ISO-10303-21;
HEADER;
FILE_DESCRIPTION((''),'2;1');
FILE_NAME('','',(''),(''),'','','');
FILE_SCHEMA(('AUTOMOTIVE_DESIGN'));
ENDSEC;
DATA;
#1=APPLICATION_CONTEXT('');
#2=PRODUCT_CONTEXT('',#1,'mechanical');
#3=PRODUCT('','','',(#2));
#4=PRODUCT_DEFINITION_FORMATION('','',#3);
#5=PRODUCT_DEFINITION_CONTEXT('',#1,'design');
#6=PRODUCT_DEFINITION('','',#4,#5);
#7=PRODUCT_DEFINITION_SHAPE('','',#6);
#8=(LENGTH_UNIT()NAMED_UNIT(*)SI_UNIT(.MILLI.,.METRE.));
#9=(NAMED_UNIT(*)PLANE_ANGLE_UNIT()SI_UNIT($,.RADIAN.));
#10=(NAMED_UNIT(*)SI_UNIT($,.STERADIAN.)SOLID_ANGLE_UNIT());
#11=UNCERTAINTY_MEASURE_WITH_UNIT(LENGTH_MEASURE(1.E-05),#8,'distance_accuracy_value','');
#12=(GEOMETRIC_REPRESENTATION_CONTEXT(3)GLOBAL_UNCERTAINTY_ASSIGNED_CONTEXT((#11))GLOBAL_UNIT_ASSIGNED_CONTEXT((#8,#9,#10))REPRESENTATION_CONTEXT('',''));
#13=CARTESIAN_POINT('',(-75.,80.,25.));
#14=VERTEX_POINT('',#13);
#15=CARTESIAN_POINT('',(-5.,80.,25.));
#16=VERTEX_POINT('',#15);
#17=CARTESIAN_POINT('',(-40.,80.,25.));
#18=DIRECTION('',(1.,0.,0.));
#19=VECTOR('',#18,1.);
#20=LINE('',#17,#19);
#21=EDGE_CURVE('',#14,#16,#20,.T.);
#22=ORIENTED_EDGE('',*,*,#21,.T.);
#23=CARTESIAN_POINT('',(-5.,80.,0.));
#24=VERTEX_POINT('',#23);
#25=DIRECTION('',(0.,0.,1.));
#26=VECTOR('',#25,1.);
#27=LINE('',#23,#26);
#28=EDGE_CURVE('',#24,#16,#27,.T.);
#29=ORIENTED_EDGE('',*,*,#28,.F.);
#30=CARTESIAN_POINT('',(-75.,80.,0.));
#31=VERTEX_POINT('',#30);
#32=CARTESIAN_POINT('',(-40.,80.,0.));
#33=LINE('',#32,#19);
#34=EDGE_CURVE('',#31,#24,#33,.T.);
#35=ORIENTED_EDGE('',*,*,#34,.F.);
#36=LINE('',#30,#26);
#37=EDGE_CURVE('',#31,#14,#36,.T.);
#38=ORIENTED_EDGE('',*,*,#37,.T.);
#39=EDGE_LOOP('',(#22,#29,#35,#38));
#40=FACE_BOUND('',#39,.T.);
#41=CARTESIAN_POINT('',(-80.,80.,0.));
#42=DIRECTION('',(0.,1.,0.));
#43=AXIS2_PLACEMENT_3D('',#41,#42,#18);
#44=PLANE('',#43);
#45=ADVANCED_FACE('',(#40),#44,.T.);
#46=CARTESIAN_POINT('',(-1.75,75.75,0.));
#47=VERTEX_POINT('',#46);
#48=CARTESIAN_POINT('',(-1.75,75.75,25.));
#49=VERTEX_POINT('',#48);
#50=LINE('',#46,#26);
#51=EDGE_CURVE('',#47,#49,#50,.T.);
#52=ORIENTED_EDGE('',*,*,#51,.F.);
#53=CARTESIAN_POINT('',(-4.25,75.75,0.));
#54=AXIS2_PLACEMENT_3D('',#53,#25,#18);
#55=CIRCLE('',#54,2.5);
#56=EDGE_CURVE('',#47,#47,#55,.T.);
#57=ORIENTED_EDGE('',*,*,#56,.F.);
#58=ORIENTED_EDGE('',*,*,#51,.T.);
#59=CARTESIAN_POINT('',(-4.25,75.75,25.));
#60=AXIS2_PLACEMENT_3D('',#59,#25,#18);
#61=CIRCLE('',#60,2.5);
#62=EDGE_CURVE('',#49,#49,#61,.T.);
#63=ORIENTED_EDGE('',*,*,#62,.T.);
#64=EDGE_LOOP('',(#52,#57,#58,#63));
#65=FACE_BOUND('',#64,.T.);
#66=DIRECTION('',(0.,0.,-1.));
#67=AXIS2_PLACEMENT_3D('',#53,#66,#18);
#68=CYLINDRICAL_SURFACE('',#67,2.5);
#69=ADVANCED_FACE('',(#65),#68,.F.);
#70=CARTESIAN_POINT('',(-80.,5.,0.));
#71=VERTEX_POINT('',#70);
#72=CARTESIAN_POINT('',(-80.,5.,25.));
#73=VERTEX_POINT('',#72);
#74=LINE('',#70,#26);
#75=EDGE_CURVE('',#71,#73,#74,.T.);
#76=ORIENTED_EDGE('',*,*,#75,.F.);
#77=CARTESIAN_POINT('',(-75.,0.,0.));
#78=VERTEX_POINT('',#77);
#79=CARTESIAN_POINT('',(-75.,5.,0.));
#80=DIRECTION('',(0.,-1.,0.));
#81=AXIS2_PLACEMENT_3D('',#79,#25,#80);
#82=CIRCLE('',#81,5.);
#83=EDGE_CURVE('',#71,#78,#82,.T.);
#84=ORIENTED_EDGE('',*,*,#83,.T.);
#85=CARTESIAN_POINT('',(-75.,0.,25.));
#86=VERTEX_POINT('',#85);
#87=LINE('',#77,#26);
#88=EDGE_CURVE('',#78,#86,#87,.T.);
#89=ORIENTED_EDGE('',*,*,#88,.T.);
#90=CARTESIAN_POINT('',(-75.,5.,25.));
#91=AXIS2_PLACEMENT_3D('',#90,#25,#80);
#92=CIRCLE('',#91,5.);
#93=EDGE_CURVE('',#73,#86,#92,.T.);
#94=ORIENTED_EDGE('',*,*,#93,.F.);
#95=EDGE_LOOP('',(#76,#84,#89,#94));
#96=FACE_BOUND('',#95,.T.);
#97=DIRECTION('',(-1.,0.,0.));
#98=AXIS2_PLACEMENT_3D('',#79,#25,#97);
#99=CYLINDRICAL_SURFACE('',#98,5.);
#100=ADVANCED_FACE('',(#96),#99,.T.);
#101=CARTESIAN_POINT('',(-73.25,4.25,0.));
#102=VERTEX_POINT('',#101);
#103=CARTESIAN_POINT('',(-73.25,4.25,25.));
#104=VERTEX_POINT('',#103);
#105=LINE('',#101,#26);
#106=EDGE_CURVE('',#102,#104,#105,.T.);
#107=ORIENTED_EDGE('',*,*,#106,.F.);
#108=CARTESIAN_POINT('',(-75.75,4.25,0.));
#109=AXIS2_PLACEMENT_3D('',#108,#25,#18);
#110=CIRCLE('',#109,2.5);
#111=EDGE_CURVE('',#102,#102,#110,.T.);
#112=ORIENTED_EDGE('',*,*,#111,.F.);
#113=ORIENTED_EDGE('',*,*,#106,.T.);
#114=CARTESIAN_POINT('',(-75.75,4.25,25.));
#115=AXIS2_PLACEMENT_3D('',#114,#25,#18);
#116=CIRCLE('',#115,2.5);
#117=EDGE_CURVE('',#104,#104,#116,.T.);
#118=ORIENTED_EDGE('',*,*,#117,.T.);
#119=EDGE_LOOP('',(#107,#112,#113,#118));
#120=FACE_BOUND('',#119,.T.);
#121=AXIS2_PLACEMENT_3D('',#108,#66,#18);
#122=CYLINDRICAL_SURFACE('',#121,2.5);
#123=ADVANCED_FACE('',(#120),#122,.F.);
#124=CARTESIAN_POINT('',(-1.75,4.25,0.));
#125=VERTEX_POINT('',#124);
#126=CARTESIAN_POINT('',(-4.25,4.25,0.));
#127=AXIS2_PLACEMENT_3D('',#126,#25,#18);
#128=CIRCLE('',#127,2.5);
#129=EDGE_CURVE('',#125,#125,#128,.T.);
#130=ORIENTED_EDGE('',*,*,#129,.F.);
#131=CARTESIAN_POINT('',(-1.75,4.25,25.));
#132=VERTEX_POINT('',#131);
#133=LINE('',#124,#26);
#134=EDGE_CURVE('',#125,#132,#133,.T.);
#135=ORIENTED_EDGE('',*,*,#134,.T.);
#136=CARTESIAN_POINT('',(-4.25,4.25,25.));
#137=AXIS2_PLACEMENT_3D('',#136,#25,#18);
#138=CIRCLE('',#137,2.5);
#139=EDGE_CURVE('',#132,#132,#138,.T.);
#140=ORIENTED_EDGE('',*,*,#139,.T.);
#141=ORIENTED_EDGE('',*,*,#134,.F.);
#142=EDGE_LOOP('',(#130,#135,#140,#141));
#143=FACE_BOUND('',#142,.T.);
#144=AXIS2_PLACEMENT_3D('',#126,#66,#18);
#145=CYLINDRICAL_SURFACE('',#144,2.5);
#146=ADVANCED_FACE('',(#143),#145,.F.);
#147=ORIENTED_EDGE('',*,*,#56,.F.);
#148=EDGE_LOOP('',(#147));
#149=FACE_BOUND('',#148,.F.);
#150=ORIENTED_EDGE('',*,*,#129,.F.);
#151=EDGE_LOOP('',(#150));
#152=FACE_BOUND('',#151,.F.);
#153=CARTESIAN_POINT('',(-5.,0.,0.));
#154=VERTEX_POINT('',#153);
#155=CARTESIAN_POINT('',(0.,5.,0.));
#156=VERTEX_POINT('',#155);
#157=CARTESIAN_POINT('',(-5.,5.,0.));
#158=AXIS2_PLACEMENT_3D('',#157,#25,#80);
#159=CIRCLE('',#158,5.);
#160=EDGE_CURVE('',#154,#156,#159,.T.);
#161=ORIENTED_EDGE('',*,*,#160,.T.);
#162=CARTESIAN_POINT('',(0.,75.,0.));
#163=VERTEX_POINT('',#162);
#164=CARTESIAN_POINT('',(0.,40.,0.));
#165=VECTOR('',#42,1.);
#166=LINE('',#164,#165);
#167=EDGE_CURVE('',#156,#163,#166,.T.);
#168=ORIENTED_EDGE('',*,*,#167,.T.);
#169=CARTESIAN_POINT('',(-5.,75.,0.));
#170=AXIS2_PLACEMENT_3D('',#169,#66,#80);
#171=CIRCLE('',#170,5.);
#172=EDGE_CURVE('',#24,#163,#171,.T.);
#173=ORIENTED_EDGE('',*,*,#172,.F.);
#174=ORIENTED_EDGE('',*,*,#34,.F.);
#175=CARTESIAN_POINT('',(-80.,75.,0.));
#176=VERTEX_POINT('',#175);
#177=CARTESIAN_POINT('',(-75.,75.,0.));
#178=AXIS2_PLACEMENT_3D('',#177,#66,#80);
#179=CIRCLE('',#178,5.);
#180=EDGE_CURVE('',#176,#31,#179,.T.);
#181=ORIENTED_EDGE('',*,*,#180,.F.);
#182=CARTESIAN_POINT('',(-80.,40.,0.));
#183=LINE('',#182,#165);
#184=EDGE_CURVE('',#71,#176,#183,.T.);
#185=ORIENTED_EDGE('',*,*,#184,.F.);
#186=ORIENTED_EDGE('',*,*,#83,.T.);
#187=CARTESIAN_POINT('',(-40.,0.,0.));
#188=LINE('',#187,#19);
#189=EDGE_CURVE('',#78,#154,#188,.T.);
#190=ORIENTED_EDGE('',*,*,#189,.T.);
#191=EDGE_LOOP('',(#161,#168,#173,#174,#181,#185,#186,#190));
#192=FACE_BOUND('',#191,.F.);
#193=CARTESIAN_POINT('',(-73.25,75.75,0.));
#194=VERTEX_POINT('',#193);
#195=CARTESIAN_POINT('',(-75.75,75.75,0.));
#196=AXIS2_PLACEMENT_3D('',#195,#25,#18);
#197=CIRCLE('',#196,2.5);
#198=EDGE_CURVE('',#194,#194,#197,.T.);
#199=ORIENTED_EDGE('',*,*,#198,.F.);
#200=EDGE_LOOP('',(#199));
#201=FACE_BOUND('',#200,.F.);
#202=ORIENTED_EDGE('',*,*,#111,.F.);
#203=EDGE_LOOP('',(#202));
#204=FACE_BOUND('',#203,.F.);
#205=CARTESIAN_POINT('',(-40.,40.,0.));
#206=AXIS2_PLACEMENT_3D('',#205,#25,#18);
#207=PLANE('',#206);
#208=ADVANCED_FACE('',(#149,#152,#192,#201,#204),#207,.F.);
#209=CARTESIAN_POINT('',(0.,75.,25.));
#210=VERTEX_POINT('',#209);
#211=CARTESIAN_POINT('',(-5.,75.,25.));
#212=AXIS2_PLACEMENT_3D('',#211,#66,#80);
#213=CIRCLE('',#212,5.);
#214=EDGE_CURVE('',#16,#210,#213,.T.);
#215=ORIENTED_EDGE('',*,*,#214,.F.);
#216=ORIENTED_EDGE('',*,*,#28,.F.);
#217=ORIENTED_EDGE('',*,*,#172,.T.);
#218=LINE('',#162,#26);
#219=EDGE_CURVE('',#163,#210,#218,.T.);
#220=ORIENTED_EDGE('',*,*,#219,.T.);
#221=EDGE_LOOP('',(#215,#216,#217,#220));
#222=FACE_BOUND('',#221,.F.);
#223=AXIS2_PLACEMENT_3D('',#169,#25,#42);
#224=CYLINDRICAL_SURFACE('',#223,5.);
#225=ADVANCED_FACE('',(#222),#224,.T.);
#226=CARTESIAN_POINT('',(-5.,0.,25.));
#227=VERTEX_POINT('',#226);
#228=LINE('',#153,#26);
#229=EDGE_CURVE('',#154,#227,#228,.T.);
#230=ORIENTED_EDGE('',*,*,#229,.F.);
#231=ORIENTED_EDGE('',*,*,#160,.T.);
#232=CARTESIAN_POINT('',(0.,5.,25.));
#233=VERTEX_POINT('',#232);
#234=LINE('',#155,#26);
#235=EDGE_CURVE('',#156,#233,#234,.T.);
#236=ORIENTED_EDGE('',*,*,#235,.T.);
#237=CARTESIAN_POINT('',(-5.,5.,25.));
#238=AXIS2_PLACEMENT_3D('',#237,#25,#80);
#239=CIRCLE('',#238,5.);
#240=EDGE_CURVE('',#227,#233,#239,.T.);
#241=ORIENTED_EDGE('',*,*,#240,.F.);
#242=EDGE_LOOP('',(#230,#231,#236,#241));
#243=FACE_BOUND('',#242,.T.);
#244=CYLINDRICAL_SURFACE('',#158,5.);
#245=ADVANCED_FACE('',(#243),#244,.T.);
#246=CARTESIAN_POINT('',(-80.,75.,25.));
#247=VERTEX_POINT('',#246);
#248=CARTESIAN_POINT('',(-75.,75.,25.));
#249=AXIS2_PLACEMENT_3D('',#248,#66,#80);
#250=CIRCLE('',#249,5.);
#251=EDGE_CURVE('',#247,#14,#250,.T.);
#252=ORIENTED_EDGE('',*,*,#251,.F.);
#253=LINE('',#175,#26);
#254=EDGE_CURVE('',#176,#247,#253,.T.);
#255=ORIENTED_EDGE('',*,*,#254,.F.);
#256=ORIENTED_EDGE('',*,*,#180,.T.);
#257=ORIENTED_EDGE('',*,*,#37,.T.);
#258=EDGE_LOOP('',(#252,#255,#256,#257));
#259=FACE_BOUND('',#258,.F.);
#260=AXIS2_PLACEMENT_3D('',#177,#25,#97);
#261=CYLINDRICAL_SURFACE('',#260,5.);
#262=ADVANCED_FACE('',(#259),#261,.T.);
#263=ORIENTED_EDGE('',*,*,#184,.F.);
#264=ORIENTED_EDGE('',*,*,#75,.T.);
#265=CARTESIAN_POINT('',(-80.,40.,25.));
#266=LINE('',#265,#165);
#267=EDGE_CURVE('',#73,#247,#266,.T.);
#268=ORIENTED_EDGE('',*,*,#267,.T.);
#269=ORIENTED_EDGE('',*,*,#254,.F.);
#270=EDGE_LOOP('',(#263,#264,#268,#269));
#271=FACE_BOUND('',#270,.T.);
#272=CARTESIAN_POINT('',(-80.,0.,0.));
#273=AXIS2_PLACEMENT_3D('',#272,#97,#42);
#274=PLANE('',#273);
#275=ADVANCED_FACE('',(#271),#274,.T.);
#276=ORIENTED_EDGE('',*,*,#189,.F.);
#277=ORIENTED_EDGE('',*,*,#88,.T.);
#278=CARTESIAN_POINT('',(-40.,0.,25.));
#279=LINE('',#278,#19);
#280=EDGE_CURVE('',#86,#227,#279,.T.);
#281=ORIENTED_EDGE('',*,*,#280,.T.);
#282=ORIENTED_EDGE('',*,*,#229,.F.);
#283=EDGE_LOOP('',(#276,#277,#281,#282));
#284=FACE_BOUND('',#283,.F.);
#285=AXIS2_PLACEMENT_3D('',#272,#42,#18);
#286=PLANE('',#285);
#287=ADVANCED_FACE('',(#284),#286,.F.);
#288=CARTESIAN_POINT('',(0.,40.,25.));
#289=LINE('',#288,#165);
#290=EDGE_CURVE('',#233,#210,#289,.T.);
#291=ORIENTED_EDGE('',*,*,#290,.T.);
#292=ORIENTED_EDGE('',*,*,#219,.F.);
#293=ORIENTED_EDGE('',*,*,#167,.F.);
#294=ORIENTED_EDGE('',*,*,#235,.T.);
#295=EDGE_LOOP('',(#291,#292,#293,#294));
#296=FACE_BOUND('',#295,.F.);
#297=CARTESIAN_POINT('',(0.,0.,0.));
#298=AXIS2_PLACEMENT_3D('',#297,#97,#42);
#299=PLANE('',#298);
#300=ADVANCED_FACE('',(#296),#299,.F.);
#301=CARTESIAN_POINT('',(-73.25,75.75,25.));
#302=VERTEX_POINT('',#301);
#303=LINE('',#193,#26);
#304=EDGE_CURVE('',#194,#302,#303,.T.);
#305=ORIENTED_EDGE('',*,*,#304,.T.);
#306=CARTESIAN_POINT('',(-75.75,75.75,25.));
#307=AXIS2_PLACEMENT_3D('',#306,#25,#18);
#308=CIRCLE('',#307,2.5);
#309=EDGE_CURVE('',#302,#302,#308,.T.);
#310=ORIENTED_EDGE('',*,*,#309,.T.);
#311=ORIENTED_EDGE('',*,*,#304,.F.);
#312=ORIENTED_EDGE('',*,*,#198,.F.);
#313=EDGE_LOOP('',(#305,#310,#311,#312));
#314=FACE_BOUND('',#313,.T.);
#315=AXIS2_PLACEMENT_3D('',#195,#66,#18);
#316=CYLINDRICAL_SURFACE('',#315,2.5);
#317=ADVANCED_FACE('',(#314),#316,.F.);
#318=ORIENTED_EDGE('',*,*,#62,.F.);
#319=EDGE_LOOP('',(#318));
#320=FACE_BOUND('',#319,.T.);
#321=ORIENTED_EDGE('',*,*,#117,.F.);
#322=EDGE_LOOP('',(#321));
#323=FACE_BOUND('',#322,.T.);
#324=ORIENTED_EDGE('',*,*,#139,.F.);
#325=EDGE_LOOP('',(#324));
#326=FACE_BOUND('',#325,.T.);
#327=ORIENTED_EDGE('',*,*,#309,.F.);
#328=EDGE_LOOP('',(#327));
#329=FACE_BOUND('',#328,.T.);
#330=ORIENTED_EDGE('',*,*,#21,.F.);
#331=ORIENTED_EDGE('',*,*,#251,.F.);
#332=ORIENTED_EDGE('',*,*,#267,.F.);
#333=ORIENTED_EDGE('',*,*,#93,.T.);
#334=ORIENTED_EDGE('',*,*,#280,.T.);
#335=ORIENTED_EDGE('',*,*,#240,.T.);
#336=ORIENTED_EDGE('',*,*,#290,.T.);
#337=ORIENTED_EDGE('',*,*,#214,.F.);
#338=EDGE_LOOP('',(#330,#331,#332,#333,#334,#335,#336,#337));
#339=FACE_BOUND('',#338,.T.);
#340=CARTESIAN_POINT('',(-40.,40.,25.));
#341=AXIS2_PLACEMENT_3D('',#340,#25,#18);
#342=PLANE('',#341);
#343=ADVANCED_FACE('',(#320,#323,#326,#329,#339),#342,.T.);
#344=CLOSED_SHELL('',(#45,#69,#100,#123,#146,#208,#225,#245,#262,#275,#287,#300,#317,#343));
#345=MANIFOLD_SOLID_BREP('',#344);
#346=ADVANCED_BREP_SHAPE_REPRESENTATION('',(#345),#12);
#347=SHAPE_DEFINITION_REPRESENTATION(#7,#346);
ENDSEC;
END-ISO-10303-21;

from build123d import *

# Parameters (mm, degrees)
SKETCH_W  = 80
SKETCH_H  = 80
SKETCH_R  = 2.5
PAD_DEPTH = 25
FILLET_R  = 5


with BuildPart() as part:
    # Sketch → Pad (new body)
    with BuildSketch(Plane.XY):
        with Locations((-40, 40)):
            Rectangle(SKETCH_W, SKETCH_H)
        with Locations((-75.75, 4.25)):
            Circle(SKETCH_R, mode=Mode.SUBTRACT)
        with Locations((-4.25, 4.25)):
            Circle(SKETCH_R, mode=Mode.SUBTRACT)
        with Locations((-4.25, 75.75)):
            Circle(SKETCH_R, mode=Mode.SUBTRACT)
        with Locations((-75.75, 75.75)):
            Circle(SKETCH_R, mode=Mode.SUBTRACT)
    extrude(amount=PAD_DEPTH)

    # Fillet
    fillet_edges = [part.edges().sort_by_distance(p)[0] for p in [
        (0, 0, 12.5),
        (0, 80, 12.5),
        (-80, 0, 12.5),
        (-80, 80, 12.5),
    ]]
    fillet(fillet_edges, radius=FILLET_R)


solid = part.part
